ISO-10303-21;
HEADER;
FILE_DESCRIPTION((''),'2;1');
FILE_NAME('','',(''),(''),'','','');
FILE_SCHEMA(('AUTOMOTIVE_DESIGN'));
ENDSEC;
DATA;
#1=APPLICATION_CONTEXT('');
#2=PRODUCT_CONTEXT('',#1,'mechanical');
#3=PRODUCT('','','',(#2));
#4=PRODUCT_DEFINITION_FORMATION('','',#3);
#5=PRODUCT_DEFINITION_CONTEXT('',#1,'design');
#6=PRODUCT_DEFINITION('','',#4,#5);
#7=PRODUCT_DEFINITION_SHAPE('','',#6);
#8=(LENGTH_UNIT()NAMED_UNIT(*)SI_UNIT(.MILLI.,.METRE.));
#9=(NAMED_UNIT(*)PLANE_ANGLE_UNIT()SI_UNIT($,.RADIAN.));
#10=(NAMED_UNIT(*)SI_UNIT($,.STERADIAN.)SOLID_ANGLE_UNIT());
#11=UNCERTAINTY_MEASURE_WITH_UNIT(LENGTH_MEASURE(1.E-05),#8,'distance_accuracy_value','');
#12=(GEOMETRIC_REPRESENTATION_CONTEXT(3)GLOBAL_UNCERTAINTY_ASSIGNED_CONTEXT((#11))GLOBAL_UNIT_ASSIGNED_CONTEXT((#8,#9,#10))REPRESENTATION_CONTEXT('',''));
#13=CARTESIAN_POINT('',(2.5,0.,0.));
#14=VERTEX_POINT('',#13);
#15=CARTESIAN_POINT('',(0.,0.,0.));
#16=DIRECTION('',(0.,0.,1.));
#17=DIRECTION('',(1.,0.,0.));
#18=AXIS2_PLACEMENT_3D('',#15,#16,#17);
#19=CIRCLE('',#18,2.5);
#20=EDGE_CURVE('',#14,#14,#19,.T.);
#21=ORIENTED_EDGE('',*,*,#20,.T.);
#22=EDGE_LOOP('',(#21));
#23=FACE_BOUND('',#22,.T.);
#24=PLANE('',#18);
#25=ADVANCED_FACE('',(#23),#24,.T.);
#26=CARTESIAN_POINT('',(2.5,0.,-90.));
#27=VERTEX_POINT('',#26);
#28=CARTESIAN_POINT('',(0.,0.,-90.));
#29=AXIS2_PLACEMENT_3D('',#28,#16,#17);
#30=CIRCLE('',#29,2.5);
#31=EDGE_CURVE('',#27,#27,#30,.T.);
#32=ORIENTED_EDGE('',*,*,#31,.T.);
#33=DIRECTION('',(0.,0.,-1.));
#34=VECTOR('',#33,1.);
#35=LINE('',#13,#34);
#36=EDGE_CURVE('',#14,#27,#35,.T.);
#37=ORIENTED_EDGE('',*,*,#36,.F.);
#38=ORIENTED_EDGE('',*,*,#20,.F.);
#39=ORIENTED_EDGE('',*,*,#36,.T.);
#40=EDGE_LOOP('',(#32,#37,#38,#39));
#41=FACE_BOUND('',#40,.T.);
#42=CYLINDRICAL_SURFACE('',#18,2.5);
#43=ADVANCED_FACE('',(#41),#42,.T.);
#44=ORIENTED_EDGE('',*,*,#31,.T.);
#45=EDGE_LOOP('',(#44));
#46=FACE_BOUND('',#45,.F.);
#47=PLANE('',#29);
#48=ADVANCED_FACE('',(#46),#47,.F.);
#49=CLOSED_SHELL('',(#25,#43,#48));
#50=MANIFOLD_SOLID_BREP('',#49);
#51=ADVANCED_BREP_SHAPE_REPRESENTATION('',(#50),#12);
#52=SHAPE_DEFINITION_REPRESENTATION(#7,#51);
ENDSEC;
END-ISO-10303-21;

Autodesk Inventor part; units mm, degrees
ref_plane "YZ Plane" through (0, 0, 0) normal (1, 0, 0) x (0, 1, 0)
ref_plane "XZ Plane" through (0, 0, 0) normal (0, 1, 0) x (-1, 0, 0)
ref_plane "XY Plane" through (0, 0, 0) normal (0, 0, 1) x (1, 0, 0)
sketch "Sketch1" plane through (0, 0, 0) normal (0, 0, 1) x (1, 0, 0)
  circle A0 centre (0, 0) radius 2.5
  dimension "d0" = 5
extrude "Extrusion1" add sketch "Sketch1" against normal blind 90
properties part number "trail 16"
